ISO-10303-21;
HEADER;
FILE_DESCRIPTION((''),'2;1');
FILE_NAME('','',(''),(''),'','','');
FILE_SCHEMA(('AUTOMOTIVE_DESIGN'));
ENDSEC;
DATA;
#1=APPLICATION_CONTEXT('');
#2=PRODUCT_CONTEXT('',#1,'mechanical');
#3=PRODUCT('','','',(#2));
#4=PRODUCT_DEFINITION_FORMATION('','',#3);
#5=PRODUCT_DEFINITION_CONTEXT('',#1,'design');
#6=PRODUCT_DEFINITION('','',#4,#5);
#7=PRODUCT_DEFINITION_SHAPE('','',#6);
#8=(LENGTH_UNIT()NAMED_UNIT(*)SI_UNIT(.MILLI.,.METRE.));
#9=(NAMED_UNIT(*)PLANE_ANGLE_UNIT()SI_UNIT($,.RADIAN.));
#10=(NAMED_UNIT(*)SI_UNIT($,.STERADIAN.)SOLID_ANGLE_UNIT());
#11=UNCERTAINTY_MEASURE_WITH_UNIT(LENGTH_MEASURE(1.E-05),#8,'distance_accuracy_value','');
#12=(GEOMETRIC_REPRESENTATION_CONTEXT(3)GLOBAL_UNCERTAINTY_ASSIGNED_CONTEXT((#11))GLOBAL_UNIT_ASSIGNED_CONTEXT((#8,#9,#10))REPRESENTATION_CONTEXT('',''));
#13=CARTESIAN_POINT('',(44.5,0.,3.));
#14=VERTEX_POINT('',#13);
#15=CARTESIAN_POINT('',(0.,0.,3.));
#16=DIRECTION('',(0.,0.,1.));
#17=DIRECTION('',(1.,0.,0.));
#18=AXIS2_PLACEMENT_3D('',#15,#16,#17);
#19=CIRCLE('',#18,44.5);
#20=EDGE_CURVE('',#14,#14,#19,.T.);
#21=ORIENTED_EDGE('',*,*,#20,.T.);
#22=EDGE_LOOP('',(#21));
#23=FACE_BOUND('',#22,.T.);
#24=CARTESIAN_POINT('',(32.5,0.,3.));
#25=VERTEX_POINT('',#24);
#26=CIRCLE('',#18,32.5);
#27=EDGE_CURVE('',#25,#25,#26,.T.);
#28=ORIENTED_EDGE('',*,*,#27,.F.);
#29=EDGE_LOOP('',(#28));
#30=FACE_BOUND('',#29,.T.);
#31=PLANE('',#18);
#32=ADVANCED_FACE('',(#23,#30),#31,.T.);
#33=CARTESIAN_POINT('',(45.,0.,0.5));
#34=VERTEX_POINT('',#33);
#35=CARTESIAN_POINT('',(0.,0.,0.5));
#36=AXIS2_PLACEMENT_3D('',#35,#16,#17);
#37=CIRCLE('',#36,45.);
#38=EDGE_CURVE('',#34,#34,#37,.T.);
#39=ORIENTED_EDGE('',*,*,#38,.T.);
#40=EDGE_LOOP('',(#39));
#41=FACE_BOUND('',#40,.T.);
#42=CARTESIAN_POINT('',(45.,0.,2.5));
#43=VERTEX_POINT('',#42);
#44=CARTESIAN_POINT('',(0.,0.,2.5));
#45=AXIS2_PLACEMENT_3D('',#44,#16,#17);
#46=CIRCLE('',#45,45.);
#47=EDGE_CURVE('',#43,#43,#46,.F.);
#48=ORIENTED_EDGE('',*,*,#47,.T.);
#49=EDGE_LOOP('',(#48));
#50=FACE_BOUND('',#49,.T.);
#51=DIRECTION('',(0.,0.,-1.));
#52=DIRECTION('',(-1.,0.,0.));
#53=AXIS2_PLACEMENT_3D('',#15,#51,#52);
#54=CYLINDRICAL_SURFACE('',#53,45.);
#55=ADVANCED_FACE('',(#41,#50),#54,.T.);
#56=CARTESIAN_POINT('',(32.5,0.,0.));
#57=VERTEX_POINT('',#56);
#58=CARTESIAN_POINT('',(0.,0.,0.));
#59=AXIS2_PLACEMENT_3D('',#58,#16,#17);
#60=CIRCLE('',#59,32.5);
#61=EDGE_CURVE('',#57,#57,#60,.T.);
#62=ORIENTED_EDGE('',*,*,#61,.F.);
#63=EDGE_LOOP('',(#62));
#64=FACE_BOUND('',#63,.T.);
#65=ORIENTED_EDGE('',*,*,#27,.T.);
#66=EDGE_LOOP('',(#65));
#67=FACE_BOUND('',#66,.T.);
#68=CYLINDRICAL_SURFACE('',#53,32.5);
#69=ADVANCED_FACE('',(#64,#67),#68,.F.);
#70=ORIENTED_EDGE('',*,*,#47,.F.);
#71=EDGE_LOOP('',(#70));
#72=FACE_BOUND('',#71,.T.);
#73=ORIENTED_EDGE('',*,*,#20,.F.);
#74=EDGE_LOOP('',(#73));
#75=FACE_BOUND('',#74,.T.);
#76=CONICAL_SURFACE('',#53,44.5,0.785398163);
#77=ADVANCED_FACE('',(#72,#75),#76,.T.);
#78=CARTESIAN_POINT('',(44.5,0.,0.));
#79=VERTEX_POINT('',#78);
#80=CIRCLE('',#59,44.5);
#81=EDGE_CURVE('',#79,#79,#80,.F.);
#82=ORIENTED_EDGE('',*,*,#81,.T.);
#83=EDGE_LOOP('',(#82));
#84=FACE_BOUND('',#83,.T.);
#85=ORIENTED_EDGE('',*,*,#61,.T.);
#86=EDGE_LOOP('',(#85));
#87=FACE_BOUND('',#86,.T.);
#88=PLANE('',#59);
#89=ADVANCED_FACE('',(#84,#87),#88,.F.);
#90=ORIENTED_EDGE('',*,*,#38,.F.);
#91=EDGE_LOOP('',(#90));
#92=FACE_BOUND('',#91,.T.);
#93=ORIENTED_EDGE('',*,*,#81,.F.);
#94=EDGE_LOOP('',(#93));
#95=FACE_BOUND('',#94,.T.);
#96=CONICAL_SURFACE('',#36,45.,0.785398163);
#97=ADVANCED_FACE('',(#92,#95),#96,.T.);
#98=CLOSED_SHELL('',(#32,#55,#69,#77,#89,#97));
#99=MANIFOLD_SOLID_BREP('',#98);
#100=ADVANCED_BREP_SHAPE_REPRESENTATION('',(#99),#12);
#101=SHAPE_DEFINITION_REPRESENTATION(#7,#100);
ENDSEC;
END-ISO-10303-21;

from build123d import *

# Parameters (mm, degrees)
SKETCH_1_R      = 45
SKETCH_1_R_2    = 32.5
EXTRUDE_1_DEPTH = 3
CHAMFER_1_SIZE  = 0.5


with BuildPart() as part:
    # Эскиз1 → Бобышка-Вытянуть1 (new body)
    with BuildSketch(Plane.XY):
        Circle(SKETCH_1_R)
        Circle(SKETCH_1_R_2, mode=Mode.SUBTRACT)
    extrude(amount=EXTRUDE_1_DEPTH)

    # Фаска1
    chamfer_1_edges = [part.edges().sort_by_distance(p)[0] for p in [
        (-45, 0, 0),
        (-45, 0, 3),
    ]]
    chamfer(chamfer_1_edges, length=CHAMFER_1_SIZE)


solid = part.part
